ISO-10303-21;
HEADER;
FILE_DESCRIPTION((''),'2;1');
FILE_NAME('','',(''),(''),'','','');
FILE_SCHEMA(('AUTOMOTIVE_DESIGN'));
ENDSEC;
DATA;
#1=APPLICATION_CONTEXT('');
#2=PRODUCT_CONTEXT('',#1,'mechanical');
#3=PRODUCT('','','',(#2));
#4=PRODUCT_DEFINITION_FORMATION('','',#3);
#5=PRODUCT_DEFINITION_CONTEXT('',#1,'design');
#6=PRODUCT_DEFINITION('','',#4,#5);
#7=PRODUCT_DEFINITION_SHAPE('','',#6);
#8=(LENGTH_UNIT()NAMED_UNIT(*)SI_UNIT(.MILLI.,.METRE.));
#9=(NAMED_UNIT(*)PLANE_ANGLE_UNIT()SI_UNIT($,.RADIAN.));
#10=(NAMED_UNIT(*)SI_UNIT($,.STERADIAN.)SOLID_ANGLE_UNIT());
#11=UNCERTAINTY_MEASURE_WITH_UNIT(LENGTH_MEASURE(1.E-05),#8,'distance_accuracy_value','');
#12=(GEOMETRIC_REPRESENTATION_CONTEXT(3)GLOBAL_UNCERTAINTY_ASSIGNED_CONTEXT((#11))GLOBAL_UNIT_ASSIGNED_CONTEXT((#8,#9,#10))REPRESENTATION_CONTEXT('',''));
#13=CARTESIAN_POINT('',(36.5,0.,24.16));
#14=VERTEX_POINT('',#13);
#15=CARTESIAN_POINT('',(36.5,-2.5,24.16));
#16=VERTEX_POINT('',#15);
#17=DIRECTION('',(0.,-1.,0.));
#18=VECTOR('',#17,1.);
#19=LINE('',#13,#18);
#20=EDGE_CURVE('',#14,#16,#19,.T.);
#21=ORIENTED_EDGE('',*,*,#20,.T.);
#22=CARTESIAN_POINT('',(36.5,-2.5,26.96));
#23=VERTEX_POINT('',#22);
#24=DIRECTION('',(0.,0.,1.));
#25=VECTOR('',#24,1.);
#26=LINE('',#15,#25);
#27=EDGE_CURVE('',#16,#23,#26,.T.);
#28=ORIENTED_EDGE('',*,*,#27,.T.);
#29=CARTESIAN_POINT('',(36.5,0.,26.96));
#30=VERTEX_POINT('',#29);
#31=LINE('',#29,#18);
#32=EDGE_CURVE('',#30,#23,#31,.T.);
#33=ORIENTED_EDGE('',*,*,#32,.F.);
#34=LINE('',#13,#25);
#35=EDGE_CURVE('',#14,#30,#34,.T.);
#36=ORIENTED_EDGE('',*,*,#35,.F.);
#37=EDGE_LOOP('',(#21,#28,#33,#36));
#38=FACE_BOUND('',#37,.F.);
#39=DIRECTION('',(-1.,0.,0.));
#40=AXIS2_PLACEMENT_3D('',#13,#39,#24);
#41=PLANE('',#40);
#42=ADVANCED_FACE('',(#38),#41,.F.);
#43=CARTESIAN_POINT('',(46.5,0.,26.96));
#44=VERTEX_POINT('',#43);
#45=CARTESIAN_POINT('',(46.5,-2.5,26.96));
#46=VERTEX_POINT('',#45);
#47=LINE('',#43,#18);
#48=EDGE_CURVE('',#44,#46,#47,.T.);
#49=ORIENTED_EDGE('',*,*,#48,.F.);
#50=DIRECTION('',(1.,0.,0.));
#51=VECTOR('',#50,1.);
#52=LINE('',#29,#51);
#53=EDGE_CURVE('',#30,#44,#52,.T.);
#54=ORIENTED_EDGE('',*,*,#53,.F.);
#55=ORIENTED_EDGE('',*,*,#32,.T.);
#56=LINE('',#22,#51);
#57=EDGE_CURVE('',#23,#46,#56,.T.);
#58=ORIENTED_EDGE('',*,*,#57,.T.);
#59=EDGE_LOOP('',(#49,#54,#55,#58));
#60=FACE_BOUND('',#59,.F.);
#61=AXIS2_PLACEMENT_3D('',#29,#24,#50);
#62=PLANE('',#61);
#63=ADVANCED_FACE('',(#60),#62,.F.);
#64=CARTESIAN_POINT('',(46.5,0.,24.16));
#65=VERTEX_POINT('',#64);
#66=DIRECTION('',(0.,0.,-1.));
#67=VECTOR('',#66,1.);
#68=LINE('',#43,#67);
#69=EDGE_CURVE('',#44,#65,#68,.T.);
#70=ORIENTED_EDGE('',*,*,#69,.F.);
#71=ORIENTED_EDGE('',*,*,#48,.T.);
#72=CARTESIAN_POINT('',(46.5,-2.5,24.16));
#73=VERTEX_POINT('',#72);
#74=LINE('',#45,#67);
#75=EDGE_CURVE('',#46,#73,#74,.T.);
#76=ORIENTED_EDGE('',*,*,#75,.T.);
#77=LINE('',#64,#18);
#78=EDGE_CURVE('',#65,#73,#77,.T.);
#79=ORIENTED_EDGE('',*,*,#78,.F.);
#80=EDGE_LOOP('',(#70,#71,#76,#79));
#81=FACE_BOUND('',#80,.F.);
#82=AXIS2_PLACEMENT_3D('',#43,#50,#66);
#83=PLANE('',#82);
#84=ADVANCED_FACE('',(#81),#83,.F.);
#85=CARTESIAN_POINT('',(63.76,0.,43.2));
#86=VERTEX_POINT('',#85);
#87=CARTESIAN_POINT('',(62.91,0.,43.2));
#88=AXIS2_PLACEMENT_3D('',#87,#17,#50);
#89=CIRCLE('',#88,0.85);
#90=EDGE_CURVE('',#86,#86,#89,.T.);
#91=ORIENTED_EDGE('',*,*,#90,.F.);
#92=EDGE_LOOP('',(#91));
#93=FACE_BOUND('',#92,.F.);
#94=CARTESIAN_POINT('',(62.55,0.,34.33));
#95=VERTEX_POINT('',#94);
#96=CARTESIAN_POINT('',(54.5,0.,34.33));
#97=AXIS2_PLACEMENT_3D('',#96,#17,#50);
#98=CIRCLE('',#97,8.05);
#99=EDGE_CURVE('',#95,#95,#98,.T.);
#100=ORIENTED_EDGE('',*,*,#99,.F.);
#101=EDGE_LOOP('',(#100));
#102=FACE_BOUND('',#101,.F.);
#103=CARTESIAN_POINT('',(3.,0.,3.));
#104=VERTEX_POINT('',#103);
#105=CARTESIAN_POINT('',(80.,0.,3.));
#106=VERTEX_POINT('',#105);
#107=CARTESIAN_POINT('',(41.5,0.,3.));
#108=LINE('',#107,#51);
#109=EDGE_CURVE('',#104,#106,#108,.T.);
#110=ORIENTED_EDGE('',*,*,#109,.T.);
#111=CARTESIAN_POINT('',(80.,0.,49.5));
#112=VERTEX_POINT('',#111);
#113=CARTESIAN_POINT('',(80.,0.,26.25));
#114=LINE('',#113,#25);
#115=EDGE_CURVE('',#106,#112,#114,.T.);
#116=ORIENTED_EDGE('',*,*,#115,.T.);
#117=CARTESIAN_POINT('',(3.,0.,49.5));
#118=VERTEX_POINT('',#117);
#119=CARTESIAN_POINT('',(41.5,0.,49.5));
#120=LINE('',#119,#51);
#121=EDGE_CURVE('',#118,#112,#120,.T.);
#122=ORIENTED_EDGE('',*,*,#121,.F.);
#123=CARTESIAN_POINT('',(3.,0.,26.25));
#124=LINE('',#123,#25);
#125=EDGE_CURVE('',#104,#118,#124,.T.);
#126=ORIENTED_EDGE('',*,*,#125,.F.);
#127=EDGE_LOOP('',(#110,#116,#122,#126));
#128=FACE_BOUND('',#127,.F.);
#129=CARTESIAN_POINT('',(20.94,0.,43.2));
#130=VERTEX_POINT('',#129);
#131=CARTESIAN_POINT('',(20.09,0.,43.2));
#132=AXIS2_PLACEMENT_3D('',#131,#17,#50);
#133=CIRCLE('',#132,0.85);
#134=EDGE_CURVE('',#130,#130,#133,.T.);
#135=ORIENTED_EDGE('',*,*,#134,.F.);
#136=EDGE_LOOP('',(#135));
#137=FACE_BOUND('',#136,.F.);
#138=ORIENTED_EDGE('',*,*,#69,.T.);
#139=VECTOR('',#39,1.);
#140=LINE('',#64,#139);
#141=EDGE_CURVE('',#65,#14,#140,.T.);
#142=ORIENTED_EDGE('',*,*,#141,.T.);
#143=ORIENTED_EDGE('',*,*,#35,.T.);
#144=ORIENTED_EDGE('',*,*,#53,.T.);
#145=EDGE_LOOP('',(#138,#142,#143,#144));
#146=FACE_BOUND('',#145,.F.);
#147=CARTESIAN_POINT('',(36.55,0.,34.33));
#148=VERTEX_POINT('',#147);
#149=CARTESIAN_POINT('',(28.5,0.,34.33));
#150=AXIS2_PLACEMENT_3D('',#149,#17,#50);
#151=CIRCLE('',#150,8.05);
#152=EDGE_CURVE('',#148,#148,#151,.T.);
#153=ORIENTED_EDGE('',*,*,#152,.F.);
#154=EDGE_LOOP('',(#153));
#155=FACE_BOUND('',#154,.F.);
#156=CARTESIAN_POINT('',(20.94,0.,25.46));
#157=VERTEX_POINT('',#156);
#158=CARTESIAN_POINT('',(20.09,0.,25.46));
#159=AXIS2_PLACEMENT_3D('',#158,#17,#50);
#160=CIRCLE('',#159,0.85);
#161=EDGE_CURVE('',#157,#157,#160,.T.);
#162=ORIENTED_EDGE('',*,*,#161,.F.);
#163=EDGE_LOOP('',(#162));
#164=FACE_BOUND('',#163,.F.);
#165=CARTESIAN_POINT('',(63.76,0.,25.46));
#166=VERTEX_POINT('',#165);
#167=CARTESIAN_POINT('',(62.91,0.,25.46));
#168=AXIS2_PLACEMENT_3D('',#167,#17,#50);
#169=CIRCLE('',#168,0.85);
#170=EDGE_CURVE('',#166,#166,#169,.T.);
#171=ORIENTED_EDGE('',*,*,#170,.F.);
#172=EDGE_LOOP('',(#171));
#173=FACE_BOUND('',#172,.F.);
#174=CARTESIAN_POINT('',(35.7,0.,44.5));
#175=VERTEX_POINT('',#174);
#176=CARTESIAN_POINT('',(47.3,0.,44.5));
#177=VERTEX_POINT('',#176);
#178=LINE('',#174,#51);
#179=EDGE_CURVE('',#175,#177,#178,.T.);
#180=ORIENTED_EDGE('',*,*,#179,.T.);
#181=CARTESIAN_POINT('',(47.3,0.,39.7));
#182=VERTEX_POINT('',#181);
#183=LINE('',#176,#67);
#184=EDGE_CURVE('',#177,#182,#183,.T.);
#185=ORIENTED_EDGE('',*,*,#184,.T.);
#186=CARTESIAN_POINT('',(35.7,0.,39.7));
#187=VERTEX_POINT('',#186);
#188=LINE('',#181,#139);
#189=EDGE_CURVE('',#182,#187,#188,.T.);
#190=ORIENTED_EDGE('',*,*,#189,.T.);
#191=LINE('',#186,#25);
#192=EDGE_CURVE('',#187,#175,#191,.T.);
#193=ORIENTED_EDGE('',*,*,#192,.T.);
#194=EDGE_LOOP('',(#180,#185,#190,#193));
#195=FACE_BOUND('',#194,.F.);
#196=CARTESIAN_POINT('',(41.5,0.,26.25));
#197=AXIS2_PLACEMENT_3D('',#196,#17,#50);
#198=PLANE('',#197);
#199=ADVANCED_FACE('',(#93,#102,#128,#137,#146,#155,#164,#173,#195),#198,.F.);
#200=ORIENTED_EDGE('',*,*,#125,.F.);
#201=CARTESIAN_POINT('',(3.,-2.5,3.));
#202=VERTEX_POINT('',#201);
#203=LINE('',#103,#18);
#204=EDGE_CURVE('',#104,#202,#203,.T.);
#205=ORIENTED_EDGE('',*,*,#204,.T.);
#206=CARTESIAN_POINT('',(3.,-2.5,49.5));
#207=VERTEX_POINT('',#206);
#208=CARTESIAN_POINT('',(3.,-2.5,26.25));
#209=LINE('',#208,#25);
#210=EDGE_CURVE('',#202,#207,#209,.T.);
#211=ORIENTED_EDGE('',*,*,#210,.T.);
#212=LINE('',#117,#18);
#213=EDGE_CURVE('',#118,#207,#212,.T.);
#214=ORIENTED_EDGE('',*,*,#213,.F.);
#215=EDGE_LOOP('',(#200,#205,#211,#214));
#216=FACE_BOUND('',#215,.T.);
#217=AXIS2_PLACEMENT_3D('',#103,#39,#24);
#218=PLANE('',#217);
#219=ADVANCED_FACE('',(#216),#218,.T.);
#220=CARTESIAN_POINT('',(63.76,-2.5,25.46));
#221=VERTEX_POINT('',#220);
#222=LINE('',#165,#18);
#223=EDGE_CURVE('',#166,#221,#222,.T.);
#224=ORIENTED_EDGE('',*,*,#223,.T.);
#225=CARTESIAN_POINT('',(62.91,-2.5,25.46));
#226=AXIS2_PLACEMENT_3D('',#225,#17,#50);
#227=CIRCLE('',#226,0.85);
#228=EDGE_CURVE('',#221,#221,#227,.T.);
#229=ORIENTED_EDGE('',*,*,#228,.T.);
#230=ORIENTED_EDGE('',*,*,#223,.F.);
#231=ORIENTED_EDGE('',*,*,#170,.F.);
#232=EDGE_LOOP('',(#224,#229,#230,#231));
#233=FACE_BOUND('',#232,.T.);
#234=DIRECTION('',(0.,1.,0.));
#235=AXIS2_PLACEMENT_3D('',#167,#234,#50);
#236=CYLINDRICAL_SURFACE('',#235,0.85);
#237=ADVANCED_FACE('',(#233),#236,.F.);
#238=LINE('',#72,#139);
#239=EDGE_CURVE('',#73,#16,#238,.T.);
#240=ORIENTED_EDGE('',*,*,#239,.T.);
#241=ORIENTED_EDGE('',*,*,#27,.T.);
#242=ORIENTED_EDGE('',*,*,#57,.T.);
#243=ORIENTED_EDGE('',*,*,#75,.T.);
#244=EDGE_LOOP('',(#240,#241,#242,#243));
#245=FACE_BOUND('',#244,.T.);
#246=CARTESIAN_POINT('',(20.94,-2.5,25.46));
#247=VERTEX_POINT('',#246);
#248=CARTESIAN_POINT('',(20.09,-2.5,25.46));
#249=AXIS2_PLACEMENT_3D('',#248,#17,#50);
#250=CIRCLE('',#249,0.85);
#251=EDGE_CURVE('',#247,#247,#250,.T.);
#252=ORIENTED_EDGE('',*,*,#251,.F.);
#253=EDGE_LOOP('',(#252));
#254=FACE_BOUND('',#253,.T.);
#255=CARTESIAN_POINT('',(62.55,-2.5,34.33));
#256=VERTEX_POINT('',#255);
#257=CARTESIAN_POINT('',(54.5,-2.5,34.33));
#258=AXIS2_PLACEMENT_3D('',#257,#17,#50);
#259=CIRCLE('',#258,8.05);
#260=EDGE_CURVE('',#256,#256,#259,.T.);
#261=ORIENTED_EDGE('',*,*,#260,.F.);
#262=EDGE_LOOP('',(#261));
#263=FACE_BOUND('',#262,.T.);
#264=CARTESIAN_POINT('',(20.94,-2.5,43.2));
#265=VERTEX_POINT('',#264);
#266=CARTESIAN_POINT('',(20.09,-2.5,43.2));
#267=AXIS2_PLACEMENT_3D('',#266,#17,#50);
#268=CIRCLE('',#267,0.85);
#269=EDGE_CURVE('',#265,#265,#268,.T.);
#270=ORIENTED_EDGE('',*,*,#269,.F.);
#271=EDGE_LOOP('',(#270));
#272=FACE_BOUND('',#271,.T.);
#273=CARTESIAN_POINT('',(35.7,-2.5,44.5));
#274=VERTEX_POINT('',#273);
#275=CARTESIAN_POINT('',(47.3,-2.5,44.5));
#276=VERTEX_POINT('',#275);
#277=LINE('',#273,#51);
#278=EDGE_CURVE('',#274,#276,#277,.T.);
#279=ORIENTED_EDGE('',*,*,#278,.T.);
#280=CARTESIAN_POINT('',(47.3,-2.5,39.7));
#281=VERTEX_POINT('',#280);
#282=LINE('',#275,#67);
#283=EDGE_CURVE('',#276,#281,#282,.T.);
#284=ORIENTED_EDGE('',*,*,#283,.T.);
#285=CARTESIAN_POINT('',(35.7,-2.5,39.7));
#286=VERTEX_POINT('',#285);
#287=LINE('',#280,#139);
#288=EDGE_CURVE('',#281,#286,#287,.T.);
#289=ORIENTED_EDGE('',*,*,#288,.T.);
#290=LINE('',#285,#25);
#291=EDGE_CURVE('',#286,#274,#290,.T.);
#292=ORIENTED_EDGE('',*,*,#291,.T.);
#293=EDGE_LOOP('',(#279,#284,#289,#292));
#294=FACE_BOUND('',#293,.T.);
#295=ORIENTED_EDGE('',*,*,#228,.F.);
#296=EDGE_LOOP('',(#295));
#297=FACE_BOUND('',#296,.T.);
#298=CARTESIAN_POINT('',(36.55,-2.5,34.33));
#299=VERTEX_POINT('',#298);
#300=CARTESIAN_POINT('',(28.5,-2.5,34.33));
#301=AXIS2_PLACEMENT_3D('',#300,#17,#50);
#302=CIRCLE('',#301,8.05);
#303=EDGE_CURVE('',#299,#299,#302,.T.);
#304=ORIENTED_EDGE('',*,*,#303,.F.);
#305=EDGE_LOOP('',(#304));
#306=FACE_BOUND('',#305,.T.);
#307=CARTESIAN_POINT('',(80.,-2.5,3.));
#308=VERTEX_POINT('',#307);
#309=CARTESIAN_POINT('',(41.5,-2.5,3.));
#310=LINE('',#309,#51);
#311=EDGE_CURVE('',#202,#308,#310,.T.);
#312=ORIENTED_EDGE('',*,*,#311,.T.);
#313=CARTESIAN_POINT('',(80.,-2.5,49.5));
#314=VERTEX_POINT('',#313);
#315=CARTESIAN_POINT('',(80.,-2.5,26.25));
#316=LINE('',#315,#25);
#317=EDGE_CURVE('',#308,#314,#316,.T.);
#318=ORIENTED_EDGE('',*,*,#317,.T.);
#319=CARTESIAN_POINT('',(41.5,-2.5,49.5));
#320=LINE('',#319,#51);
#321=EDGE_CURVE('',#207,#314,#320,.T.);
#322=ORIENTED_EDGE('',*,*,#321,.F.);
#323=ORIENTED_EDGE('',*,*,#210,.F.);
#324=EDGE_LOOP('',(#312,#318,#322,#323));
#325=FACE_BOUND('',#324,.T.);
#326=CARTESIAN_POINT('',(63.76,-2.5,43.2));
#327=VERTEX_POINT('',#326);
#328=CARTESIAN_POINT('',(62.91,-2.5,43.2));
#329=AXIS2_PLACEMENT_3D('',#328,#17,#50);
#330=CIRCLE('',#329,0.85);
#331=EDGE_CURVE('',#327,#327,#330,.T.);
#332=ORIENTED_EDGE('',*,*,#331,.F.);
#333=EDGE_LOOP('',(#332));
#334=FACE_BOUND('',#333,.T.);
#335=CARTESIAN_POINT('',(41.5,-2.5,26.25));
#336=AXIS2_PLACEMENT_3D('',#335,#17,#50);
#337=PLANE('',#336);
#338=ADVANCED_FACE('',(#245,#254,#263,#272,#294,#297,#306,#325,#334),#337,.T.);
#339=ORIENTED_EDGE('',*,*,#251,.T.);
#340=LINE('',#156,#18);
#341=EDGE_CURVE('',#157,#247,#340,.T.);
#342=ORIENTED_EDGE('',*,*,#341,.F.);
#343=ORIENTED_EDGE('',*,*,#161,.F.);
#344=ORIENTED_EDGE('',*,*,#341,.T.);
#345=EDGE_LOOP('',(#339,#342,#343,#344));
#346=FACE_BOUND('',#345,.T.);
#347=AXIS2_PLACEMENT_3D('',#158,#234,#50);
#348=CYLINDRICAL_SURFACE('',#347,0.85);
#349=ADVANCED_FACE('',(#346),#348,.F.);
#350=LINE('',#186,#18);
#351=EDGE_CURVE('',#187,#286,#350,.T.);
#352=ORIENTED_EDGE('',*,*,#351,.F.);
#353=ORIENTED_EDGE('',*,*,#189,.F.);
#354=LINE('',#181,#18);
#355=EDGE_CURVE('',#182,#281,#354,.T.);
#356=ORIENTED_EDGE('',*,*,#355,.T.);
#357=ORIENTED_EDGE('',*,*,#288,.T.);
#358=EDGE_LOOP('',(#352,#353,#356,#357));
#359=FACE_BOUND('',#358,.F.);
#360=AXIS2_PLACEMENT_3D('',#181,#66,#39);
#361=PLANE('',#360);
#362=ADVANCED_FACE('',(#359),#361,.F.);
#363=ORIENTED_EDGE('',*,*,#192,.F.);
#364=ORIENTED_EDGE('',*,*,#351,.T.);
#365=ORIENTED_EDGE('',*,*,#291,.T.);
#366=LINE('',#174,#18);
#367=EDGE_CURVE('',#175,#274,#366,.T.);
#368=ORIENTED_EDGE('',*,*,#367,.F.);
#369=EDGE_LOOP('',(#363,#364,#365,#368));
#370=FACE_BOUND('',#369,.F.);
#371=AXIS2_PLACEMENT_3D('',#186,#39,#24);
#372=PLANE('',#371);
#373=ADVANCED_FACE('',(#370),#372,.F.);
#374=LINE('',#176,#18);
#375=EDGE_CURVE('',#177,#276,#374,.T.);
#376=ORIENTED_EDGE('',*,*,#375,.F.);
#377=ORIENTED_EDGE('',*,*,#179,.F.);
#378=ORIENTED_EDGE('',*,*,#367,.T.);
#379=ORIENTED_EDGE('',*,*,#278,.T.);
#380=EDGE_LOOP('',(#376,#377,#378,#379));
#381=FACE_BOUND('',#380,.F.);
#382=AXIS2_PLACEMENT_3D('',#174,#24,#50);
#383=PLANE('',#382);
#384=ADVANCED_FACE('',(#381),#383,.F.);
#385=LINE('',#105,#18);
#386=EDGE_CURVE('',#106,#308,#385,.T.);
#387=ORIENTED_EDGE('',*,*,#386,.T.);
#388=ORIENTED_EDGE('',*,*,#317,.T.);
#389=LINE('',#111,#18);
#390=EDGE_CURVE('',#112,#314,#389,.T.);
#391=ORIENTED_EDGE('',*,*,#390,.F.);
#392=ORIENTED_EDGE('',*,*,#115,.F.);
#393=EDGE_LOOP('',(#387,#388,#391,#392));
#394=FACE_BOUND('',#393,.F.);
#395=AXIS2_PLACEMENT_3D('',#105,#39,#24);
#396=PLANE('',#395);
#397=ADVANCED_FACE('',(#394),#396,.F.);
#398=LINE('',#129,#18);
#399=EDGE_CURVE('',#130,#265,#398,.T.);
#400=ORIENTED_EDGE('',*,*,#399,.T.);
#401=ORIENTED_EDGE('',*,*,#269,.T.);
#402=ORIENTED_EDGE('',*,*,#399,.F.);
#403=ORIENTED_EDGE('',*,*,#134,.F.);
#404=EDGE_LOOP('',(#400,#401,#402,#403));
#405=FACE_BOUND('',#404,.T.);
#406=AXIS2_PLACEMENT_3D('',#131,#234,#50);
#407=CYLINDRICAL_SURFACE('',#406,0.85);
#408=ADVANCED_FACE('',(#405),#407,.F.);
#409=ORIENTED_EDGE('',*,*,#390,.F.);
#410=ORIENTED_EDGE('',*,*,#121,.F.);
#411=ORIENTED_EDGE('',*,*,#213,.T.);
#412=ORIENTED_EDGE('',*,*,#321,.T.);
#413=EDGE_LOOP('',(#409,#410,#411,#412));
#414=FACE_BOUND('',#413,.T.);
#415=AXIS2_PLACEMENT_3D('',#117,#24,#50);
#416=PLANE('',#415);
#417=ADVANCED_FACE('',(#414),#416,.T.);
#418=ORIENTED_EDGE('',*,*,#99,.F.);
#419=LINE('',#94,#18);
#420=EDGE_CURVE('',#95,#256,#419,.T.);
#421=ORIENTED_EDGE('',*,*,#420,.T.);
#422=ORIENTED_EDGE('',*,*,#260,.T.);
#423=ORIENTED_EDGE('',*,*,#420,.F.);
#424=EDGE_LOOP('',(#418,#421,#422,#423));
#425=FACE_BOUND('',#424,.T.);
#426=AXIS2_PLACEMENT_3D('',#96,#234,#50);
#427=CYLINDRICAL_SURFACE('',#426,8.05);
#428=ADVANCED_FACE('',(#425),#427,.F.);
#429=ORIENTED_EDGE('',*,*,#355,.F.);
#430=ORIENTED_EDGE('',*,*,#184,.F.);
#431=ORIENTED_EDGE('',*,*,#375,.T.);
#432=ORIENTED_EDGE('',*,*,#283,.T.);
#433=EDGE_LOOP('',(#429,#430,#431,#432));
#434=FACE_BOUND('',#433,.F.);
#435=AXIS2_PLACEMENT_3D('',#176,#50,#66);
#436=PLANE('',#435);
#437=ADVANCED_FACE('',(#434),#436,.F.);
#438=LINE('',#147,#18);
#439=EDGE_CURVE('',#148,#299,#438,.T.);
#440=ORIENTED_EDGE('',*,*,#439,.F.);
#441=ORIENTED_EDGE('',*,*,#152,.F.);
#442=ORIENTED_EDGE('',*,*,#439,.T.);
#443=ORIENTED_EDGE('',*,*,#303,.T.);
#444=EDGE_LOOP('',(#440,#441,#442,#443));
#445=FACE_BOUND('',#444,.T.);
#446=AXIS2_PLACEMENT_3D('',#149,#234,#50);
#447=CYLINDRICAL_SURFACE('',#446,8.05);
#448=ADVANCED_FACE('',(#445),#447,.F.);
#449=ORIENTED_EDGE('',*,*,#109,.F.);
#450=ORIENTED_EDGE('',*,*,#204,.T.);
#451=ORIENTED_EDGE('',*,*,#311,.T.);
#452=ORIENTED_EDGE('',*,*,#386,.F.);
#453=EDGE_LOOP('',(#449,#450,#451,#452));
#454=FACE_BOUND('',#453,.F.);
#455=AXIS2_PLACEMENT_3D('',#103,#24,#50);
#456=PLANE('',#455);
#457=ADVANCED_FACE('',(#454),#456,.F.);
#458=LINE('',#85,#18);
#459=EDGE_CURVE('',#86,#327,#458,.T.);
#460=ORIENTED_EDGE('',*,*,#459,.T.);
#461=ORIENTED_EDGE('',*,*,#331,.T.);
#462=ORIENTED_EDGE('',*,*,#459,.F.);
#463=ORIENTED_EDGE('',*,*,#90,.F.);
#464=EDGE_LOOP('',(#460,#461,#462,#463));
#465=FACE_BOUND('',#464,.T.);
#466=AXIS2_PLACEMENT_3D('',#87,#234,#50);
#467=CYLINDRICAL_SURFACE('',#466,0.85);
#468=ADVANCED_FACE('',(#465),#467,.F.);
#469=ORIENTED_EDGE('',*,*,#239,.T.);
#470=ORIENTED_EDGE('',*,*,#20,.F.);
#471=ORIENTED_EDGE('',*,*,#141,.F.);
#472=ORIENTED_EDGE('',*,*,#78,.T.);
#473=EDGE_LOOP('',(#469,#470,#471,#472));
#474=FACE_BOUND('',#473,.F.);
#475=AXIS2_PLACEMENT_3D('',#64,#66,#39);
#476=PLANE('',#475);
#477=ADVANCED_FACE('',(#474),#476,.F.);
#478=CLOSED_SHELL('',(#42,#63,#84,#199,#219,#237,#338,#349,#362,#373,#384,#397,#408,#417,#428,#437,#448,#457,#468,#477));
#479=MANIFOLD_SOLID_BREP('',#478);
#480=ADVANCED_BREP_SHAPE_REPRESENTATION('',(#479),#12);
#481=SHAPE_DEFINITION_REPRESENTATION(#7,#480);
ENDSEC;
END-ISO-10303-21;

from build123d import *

# Parameters (mm, degrees)
F0_W     = 77
F0_H     = 46.5
F0_R     = 0.85
F0_R_2   = 8.05
F1_DEPTH = 2.5


with BuildPart() as f1:
    # F0 (on Front) → F1 (new body)
    with BuildSketch(Plane.XZ):
        with Locations((41.5, 26.25)):
            Rectangle(F0_W, F0_H)
        with Locations((20.09, 25.46)):
            Circle(F0_R, mode=Mode.SUBTRACT)
        Polygon((36.5, 24.16), (36.5, 26.96), (41.5, 26.96), (46.5, 26.96), (46.5, 24.16), (41.5, 24.16), align=None, mode=Mode.SUBTRACT)
        with Locations((62.91, 25.46)):
            Circle(F0_R, mode=Mode.SUBTRACT)
        with Locations((28.5, 34.33)):
            Circle(F0_R_2, mode=Mode.SUBTRACT)
        with Locations((20.09, 43.2)):
            Circle(F0_R, mode=Mode.SUBTRACT)
        with Locations((54.5, 34.33)):
            Circle(F0_R_2, mode=Mode.SUBTRACT)
        Polygon((35.7, 39.7), (35.7, 44.5), (41.5, 44.5), (47.3, 44.5), (47.3, 39.7), (41.5, 39.7), align=None, mode=Mode.SUBTRACT)
        with Locations((62.91, 43.2)):
            Circle(F0_R, mode=Mode.SUBTRACT)
    extrude(amount=F1_DEPTH)


solid = f1.part
